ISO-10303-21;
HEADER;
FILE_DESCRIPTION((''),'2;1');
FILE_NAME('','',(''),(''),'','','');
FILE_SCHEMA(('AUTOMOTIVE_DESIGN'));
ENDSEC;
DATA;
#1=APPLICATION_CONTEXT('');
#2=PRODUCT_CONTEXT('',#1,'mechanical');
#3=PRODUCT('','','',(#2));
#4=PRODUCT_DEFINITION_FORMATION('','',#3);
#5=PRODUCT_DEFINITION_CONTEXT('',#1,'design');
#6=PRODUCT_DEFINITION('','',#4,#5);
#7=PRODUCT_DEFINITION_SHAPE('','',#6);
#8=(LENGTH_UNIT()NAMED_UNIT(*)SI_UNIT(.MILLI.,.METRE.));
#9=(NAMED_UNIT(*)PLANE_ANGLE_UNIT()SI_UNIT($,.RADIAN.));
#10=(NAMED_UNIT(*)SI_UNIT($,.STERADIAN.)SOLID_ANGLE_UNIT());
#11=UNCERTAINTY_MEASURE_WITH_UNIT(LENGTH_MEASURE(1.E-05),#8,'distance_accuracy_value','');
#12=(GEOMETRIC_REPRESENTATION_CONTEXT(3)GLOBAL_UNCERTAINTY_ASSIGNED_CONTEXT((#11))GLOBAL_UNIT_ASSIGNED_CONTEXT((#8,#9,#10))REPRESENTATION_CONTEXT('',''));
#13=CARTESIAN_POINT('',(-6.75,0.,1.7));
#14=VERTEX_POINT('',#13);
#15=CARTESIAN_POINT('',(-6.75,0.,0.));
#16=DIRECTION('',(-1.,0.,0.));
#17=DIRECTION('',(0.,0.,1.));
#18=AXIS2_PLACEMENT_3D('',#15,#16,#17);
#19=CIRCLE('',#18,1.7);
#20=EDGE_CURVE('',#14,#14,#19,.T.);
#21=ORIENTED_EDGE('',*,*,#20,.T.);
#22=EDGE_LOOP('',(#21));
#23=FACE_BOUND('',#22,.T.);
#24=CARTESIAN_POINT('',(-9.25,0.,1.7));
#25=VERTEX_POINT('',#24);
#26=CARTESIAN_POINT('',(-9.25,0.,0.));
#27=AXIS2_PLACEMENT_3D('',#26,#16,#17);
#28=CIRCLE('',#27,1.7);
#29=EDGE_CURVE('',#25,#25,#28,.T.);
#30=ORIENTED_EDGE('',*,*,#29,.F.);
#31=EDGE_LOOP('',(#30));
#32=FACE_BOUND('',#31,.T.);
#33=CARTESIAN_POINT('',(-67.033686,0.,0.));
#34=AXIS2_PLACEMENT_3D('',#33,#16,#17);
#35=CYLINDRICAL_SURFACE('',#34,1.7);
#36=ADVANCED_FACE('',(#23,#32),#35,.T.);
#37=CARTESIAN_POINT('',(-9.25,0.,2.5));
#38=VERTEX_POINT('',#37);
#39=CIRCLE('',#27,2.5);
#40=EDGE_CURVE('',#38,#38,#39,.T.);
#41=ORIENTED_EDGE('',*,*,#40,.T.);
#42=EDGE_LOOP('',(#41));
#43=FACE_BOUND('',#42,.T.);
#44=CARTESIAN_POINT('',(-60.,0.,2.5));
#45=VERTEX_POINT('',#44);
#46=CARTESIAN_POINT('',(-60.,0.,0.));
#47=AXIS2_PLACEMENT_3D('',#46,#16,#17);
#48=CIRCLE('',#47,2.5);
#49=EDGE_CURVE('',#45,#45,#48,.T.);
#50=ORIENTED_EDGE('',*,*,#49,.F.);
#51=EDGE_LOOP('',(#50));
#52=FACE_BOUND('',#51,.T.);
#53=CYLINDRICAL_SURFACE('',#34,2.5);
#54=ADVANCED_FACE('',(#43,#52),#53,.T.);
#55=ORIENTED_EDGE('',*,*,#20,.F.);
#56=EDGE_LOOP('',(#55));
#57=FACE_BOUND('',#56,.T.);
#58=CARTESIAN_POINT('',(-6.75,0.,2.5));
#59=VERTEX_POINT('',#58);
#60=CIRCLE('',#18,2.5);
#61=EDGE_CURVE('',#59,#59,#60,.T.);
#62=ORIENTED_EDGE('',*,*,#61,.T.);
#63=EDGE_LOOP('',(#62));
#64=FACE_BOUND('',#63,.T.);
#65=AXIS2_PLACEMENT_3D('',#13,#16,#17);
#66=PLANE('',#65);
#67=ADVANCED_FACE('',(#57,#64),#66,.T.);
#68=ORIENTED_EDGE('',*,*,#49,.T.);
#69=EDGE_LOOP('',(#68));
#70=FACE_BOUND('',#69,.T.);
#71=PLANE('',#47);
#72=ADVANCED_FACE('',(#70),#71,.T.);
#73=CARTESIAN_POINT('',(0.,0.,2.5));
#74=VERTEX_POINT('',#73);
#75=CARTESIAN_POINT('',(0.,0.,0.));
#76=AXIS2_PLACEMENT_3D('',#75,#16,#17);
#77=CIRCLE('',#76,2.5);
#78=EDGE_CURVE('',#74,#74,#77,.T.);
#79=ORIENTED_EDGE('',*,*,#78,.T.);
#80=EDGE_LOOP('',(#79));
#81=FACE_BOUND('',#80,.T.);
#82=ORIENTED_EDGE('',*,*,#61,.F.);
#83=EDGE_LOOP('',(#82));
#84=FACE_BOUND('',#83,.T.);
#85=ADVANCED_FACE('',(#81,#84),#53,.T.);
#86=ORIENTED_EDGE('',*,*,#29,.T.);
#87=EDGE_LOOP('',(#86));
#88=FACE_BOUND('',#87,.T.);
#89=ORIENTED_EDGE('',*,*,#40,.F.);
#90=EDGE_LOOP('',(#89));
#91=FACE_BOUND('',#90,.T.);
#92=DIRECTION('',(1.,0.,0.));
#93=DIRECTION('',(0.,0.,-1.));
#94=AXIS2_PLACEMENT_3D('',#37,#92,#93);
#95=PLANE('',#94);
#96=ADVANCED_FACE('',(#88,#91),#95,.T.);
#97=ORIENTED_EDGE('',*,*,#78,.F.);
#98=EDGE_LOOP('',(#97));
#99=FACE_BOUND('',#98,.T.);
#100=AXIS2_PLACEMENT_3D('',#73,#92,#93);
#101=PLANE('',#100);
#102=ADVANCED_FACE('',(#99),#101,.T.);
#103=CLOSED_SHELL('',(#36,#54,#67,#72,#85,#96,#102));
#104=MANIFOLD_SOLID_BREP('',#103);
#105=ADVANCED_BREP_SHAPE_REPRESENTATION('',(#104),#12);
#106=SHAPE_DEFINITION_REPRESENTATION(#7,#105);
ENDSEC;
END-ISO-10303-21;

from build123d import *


with BuildPart() as part:
    # Esboço1 → Revolução1 (revolve)
    with BuildSketch(Plane(origin=(0, 0, 0), x_dir=(1, 0, 0), z_dir=(0, 1, 0))):
        Polygon((-60, 0), (-60, -2.5), (-9.25, -2.5), (-9.25, -1.7), (-6.75, -1.7), (-6.75, -2.5), (0, -2.5), (0, 0), align=None)
    revolve(axis=Axis((-67.033685718, 0, 0), (1, 0, 0)))


solid = part.part
